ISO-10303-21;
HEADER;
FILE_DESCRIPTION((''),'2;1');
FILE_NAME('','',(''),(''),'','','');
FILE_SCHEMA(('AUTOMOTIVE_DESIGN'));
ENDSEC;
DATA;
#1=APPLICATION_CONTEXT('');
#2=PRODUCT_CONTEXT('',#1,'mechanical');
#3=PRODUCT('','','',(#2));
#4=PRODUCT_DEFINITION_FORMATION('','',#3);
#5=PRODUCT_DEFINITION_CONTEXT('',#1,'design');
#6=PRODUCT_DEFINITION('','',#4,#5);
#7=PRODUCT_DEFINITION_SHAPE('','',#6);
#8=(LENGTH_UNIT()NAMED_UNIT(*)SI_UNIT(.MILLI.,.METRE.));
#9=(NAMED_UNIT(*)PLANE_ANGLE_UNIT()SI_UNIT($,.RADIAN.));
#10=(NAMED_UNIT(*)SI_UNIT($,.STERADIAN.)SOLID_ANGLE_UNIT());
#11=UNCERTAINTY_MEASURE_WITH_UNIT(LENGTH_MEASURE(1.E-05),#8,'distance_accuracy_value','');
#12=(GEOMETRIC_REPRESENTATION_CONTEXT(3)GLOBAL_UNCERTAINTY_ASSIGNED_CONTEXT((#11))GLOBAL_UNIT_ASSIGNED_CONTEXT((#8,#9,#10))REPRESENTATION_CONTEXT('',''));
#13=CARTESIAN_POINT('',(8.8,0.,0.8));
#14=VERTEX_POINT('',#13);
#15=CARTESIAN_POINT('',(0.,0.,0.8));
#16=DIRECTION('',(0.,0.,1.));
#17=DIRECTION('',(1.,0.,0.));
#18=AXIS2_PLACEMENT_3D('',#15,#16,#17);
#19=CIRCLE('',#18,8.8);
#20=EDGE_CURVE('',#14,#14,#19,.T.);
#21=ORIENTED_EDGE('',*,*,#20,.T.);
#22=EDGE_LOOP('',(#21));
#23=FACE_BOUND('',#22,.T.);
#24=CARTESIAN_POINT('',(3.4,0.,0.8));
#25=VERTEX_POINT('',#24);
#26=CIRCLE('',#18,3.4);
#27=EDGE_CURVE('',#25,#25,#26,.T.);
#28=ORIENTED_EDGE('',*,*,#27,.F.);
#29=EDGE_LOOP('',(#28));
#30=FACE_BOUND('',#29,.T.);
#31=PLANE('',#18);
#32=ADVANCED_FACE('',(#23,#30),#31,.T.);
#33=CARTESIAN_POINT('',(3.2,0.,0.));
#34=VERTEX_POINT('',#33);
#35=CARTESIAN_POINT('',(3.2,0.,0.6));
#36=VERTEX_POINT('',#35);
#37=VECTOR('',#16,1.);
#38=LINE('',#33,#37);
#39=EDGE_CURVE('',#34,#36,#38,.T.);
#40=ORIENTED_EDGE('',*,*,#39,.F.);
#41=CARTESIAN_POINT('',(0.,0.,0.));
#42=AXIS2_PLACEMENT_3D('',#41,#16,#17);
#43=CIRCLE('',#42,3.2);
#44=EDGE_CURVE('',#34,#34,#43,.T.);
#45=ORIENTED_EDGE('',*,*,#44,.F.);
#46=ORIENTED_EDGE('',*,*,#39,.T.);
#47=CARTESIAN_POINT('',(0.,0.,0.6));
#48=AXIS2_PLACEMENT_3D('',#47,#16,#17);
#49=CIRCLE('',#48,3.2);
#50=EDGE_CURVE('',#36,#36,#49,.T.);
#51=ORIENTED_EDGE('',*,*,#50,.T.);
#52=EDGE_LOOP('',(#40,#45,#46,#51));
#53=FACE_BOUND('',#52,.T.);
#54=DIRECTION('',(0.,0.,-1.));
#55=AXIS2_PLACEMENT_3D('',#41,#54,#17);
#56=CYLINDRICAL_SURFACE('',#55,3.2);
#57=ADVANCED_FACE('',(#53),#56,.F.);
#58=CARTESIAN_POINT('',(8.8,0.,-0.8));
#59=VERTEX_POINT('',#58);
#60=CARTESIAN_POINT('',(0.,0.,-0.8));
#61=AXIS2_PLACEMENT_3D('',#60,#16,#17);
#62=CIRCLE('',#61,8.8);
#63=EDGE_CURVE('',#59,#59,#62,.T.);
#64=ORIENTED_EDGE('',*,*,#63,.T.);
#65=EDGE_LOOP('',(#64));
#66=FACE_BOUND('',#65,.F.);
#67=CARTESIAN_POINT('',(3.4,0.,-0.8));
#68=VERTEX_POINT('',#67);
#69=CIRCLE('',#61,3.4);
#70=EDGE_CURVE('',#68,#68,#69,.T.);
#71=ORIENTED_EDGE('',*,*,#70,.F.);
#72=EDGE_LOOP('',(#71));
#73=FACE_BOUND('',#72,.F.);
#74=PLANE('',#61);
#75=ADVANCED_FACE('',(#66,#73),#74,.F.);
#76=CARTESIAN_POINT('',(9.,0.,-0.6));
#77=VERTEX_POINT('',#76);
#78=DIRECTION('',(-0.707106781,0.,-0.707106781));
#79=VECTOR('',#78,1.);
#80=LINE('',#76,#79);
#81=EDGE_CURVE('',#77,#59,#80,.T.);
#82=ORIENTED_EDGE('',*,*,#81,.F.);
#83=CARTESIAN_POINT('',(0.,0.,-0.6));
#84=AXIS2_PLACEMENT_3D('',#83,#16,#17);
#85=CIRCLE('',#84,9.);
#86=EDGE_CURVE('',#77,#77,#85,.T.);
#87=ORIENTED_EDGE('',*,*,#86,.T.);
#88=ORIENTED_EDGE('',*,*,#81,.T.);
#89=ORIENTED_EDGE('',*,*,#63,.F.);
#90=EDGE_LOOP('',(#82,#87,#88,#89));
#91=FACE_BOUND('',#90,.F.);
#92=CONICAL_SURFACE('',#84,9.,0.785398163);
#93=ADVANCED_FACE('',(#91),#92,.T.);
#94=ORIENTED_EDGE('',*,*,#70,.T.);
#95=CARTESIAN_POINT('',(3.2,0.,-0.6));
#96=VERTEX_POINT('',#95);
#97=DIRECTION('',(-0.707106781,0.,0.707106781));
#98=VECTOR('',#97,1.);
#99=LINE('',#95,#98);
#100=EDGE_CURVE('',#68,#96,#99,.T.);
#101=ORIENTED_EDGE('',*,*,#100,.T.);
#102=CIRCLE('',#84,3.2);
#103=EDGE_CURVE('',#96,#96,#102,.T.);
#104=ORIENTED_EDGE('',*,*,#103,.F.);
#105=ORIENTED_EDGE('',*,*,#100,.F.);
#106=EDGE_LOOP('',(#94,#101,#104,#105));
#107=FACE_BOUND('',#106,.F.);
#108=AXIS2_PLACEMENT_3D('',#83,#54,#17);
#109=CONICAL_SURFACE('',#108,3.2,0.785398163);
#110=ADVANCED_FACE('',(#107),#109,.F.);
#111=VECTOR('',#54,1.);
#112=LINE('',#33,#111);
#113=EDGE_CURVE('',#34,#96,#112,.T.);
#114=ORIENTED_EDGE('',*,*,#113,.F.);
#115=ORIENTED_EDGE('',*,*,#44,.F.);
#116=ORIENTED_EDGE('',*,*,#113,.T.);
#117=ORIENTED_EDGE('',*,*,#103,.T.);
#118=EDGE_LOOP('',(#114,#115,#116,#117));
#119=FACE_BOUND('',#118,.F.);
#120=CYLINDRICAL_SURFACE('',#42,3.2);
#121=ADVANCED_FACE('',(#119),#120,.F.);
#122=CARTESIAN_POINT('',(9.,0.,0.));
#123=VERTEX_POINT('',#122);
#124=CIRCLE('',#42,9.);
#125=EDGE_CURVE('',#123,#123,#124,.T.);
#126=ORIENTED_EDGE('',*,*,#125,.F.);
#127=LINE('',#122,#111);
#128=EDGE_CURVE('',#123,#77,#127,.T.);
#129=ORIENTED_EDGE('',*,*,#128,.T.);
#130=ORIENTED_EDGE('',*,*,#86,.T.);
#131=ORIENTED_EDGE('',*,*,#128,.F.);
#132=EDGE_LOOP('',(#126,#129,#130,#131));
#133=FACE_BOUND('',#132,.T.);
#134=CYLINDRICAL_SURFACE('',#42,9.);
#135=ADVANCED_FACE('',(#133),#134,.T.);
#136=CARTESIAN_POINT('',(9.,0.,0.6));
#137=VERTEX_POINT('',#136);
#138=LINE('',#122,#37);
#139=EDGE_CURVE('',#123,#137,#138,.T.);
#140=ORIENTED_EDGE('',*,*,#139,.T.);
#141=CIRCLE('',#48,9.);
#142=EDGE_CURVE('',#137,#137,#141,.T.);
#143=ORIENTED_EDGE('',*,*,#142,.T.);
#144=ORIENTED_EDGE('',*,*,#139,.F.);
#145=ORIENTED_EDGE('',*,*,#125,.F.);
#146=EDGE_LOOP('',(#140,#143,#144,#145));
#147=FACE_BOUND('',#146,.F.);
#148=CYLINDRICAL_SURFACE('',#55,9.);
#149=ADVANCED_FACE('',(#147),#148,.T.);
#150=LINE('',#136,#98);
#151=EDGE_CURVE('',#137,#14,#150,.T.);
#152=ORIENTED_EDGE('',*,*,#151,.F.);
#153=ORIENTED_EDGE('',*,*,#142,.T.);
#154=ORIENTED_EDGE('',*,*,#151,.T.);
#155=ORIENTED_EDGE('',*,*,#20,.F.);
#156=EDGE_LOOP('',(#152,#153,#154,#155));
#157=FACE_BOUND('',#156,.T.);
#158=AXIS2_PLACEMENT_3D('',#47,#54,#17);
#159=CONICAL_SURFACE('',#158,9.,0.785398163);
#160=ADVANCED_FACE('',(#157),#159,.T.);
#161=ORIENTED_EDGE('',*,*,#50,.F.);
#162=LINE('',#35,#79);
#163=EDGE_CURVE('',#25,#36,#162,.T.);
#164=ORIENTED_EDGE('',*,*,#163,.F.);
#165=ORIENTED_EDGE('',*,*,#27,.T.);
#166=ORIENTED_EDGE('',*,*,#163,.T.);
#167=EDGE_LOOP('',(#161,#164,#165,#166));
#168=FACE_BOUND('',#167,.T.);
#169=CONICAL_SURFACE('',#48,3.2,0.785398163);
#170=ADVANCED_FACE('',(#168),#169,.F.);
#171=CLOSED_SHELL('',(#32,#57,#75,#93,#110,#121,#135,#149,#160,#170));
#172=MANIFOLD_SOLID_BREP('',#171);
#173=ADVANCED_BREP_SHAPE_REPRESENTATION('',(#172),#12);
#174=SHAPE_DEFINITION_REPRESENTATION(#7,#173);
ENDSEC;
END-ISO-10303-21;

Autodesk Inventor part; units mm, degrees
ref_plane "YZ Plane" through (0, 0, 0) normal (1, 0, 0) x (0, 1, 0)
ref_plane "XZ Plane" through (0, 0, 0) normal (0, 1, 0) x (-1, 0, 0)
ref_plane "XY Plane" through (0, 0, 0) normal (0, 0, 1) x (1, 0, 0)
sketch "Skizze1" plane through (0, 0, 0) normal (0, 0, 1) x (1, 0, 0)
  circle A0 centre (0, 0) radius 3.2
  circle A1 centre (0, 0) radius 9
  dimension "d0" = 18
  dimension "d1" = 6.4
extrude "Extrusion1" add sketch "Skizze1" along normal mid plane 1.6
chamfer "Fase1" distance 0.2 angle 45 4 edges at (-9, 0, 0.8) (-9, 0, -0.8) (-3.2, 0, 0.8) (-3.2, 0, -0.8)
properties part number "900-80-WASHERS-DIN9021-M6" material "Edelstahl"
